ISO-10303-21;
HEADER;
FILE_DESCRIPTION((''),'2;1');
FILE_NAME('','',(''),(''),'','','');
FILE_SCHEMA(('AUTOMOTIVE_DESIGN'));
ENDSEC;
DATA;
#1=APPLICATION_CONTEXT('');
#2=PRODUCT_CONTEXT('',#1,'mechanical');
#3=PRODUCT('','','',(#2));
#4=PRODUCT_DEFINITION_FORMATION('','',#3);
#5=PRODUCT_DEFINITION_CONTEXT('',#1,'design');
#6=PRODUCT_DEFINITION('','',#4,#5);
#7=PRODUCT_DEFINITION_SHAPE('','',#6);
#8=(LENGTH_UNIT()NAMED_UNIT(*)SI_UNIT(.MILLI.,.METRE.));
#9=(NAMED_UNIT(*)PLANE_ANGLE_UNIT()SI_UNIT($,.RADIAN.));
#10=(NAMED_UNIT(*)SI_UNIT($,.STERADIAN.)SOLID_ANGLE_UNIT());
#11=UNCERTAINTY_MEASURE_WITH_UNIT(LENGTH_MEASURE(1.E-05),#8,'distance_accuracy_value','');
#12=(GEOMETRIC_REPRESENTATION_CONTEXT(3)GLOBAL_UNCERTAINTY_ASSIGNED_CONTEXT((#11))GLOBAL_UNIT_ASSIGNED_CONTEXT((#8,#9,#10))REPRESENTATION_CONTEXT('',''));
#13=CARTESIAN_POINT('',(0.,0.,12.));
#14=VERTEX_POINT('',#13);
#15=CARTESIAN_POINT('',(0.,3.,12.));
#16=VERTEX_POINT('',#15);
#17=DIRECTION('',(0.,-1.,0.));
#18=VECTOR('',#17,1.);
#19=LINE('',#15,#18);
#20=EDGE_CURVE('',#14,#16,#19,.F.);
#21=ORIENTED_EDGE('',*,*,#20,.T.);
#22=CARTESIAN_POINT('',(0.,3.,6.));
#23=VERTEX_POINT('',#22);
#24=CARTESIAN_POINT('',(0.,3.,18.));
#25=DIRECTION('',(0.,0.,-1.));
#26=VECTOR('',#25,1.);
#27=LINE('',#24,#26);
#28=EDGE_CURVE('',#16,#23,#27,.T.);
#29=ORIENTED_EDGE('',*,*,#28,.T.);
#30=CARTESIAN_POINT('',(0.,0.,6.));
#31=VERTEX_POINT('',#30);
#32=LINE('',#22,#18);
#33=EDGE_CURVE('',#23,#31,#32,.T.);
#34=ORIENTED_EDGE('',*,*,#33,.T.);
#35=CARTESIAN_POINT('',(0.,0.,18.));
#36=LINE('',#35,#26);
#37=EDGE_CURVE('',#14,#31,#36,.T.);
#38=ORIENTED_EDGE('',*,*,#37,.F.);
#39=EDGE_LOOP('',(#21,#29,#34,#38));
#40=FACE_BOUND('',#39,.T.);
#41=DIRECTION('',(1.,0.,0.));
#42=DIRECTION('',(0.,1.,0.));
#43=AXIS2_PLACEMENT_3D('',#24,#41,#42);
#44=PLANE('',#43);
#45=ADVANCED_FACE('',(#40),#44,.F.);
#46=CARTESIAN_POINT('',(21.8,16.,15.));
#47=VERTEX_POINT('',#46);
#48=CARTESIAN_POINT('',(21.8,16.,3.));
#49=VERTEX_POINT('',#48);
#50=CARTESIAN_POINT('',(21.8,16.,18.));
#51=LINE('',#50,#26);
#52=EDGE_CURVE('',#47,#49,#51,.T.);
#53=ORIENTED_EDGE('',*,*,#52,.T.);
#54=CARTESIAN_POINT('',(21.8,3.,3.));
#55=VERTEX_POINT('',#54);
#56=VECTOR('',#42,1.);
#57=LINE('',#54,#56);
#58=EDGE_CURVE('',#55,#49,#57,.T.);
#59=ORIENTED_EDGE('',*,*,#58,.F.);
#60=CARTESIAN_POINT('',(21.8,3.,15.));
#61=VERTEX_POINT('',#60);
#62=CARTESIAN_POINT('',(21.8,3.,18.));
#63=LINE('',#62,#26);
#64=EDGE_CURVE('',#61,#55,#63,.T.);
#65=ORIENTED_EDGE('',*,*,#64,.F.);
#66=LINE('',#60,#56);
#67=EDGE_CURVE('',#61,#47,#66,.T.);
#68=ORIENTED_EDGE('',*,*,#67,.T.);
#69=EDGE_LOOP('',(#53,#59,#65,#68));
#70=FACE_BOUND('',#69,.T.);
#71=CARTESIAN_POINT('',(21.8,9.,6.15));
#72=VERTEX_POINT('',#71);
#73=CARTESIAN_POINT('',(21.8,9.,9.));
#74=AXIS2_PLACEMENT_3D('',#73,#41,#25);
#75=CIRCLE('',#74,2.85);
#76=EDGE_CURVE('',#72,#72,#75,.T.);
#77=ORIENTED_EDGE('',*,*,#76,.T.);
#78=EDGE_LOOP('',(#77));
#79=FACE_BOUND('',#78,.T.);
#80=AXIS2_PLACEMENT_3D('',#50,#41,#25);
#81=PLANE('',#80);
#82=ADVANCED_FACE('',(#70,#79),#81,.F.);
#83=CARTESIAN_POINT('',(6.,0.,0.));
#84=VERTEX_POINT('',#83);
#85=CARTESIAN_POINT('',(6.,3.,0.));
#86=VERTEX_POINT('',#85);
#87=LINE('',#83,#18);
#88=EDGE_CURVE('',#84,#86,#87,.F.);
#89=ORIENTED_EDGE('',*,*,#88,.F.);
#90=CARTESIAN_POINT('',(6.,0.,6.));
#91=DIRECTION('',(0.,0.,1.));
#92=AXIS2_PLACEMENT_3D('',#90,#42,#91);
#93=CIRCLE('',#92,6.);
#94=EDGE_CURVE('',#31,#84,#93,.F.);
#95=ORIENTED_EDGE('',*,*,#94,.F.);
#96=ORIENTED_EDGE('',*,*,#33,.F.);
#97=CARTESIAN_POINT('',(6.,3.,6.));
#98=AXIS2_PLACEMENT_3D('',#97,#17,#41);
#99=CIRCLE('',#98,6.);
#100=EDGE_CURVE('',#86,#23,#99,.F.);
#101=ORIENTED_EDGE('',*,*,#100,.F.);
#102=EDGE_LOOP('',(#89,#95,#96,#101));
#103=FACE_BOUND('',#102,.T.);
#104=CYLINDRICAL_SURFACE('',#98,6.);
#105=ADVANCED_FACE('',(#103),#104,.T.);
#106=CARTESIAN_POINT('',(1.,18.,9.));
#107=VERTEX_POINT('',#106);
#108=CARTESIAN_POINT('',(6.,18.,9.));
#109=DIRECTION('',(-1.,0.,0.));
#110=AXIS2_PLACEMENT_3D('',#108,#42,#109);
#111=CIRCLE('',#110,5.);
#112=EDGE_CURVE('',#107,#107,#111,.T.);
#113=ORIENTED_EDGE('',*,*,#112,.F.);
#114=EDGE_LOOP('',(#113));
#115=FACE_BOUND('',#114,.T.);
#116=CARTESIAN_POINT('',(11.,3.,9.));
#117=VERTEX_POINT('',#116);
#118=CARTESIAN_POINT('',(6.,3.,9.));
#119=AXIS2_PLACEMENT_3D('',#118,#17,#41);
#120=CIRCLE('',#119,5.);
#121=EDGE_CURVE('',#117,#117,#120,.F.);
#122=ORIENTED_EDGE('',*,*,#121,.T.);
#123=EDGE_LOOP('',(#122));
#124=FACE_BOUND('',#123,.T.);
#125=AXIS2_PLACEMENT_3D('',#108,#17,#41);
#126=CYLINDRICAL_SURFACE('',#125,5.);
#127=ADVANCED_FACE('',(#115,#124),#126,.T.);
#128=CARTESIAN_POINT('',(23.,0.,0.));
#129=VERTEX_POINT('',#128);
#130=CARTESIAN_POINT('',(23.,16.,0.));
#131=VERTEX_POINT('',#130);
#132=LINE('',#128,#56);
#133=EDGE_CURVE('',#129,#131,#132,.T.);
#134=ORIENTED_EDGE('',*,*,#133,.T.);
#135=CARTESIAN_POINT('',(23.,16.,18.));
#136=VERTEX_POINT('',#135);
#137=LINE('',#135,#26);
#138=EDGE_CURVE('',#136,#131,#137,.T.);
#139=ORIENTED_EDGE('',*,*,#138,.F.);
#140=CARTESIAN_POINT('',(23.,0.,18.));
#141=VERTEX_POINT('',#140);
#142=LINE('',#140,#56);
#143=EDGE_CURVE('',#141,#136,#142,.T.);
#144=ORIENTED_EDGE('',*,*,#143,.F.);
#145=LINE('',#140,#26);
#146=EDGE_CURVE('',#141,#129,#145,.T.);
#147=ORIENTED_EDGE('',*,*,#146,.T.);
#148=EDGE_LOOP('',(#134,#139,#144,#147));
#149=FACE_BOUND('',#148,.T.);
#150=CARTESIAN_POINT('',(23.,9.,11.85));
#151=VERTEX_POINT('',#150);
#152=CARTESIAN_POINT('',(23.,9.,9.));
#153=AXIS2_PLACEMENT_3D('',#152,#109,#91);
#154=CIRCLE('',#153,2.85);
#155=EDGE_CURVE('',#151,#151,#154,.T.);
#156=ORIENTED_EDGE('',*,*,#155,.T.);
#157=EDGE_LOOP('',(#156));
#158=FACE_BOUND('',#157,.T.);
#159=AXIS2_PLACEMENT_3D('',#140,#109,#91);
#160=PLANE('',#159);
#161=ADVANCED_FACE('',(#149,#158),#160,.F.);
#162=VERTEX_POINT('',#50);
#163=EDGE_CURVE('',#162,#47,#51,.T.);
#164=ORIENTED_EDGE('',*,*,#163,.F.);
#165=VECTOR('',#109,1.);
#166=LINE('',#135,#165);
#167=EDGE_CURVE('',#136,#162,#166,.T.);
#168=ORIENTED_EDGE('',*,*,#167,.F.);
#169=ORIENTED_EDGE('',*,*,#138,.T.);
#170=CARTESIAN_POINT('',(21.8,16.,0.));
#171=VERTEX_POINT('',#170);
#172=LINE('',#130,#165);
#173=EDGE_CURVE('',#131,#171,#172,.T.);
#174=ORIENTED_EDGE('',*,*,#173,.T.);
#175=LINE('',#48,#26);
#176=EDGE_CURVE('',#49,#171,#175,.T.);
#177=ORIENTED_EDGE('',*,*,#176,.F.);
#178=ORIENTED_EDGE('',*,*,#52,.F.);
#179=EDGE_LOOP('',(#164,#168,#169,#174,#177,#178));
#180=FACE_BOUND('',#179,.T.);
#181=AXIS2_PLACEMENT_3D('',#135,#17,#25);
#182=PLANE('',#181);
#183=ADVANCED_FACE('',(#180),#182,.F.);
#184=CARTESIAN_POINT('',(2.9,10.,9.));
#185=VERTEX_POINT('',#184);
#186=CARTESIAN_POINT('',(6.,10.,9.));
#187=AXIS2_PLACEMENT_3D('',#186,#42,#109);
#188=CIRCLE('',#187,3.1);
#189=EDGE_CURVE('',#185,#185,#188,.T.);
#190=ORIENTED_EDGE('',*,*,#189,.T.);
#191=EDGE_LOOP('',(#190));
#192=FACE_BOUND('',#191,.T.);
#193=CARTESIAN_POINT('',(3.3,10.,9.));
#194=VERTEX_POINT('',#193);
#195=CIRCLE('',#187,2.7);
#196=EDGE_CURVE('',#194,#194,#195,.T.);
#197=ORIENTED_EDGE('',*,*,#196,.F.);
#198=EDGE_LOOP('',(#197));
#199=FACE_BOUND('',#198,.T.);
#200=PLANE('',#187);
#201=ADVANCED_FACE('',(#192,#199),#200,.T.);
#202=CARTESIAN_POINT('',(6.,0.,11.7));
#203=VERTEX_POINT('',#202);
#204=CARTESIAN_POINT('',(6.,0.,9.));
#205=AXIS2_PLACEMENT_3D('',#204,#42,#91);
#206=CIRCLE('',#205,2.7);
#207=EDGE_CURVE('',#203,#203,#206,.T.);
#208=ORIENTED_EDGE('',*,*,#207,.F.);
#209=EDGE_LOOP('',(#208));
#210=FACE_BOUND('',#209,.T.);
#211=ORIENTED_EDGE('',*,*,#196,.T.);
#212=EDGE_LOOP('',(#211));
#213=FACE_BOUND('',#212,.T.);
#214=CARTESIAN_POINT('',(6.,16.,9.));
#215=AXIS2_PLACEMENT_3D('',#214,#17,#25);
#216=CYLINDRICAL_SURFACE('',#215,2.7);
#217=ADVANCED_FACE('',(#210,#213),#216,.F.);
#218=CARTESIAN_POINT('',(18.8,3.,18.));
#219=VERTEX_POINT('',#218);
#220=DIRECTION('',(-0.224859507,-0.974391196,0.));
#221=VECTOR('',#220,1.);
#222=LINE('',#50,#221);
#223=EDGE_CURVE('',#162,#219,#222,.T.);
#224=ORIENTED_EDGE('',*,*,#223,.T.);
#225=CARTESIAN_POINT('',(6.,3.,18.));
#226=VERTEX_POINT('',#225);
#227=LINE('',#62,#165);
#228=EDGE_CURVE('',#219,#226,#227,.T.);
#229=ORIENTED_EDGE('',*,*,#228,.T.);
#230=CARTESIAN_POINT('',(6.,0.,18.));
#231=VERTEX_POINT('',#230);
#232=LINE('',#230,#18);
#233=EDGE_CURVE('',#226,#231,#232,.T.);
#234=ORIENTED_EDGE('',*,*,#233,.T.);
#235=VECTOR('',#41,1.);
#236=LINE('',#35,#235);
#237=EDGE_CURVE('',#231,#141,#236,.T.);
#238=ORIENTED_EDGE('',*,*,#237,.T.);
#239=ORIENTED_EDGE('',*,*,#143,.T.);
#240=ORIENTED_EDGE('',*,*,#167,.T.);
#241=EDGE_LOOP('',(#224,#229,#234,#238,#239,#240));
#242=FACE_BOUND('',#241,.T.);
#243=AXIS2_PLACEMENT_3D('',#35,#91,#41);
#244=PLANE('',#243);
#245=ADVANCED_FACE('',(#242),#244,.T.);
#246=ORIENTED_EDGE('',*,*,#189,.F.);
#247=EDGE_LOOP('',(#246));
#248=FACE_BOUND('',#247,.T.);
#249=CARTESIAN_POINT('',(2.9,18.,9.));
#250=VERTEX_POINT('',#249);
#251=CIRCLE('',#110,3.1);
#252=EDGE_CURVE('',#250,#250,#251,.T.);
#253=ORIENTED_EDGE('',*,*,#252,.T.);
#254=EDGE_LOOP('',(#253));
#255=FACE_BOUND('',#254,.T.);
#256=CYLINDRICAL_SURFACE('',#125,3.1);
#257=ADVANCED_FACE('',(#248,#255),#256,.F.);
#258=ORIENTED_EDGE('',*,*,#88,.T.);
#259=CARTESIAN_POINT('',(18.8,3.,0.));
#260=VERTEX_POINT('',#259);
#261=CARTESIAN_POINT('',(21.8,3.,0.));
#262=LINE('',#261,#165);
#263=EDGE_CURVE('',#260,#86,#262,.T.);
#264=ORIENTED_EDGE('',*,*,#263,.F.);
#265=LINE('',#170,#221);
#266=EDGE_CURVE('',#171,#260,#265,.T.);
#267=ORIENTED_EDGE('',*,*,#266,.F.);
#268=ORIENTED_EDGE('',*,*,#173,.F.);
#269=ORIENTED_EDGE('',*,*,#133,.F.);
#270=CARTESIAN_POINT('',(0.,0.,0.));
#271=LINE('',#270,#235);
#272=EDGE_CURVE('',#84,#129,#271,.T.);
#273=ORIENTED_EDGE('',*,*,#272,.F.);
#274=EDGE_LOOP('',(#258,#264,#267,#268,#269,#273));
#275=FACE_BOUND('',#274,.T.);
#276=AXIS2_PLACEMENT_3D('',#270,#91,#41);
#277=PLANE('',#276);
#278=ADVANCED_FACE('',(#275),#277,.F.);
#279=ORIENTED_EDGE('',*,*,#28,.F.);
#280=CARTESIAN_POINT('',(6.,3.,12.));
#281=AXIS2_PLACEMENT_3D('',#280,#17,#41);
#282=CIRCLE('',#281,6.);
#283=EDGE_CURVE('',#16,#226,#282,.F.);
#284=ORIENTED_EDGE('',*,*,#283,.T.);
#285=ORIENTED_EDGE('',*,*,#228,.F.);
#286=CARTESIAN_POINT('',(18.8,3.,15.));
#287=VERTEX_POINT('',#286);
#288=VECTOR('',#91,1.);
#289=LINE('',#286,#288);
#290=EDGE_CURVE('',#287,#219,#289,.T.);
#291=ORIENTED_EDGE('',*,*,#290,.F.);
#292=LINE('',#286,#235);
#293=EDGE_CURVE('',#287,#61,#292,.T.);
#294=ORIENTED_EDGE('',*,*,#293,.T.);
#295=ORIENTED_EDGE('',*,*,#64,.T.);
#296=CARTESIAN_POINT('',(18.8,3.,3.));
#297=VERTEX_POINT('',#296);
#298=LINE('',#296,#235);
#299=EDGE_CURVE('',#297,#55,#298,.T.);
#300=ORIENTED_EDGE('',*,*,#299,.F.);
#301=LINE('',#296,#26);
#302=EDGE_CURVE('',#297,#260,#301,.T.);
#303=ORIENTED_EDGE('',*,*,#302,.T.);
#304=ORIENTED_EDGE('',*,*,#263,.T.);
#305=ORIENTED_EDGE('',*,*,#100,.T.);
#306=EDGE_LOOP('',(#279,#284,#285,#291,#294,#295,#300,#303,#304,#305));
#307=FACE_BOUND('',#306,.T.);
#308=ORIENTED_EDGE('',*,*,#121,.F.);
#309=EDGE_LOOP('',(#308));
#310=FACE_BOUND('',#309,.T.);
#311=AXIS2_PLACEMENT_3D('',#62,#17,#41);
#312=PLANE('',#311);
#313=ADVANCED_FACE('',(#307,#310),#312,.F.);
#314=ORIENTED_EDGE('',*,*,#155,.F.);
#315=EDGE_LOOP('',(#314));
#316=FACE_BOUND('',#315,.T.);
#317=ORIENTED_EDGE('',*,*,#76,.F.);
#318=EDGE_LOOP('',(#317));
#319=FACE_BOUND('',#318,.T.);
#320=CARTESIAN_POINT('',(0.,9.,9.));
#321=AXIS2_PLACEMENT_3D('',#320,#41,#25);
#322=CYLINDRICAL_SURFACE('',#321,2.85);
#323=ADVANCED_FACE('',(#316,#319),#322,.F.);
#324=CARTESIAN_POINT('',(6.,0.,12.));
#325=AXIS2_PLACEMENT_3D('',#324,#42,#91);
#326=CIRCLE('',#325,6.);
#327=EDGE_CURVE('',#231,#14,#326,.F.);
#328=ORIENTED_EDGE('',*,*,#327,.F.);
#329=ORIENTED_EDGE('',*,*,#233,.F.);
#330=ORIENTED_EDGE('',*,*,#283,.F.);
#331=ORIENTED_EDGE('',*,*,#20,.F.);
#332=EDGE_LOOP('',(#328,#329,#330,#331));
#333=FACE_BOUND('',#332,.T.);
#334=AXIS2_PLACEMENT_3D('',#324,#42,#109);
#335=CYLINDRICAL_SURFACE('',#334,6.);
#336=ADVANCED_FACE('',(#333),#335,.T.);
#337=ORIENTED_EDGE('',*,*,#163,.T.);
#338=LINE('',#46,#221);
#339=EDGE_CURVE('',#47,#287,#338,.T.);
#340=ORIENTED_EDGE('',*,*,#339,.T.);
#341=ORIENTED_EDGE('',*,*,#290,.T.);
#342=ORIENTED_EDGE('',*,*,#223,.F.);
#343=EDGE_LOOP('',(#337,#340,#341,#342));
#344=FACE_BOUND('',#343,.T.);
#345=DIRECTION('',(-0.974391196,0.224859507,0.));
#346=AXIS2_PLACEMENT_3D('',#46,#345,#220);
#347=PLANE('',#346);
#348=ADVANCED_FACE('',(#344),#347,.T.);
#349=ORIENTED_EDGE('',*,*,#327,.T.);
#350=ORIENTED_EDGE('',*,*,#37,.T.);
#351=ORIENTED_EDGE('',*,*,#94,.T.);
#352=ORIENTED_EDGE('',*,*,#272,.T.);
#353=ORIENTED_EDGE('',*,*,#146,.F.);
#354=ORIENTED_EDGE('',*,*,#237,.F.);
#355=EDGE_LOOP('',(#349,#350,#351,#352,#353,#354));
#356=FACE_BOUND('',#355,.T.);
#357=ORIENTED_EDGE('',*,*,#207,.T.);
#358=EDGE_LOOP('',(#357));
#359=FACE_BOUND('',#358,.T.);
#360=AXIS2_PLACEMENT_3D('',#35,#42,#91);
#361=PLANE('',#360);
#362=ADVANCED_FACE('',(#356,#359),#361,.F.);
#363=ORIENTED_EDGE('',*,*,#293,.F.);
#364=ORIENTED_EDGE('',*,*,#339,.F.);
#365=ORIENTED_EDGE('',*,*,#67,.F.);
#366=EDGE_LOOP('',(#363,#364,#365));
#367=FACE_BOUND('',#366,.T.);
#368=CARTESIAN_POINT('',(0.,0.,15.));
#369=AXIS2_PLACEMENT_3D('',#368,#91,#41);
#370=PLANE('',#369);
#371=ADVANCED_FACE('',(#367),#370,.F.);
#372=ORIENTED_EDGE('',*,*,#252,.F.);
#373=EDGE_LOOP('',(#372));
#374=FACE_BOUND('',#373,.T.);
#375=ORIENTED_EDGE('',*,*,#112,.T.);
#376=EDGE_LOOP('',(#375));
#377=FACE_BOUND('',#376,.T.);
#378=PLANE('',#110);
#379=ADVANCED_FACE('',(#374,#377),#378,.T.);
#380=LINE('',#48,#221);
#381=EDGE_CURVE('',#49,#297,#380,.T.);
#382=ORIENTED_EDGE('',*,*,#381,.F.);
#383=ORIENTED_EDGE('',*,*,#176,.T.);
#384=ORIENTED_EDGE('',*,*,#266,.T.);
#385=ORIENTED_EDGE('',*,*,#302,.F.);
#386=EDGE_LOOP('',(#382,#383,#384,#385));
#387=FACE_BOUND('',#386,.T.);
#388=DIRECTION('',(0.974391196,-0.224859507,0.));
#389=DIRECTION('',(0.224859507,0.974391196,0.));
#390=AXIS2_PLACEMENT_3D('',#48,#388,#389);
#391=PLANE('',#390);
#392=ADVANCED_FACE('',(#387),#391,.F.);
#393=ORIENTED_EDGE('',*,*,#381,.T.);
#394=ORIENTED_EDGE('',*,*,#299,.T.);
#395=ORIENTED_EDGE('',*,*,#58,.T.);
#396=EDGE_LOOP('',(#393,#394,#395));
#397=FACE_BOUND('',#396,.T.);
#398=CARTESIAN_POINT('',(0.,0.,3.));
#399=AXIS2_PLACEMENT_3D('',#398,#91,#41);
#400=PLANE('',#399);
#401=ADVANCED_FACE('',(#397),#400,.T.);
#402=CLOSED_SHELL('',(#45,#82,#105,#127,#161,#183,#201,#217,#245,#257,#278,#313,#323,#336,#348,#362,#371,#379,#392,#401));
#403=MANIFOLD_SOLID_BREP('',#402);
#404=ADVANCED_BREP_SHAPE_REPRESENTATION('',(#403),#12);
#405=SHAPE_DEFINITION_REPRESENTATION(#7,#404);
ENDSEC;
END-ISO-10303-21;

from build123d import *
from build123d.topology import SkipClean

# Parameters (mm, degrees)
BOSS_EXTRU_1_DEPTH           = 18
ENL_V_MAT_EXTRU_1_DEPTH      = 34.301651611
ENL_V_MAT_EXTRU_1_DEPTH_BACK = 34.301651611
ESQUISSE2_R                  = 2.85
ENL_V_MAT_EXTRU_2_DEPTH      = 34.301651611
ENL_V_MAT_EXTRU_2_DEPTH_BACK = 34.301651611
ESQUISSE3_R                  = 2.7
BOSS_EXTRU_2_DEPTH           = 3
BOSS_EXTRU_3_START           = -18
BOSS_EXTRU_3_DEPTH           = 3
CONG_1_R                     = 6
ESQUISSE6_R                  = 5
ESQUISSE6_R_2                = 3.1
BOSS_EXTRU_4_DEPTH           = 15
ESQUISSE7_R                  = 3.1
ESQUISSE7_R_2                = 2.7
BOSS_EXTRU_5_DEPTH           = 7


with BuildPart() as part:
    # Esquisse1 → Boss.-Extru.1 (new body)
    with BuildSketch(Plane.XY):
        Polygon((0, 0), (23, 0), (23, 16), (21.8, 16), (21.8, 3), (0, 3), align=None)
    extrude(amount=BOSS_EXTRU_1_DEPTH)

    # Esquisse2 → Enlèv. mat.-Extru.1 (cut, two sides: drawn at the far end of the back side and taken through both)
    with BuildSketch(Plane(origin=(23, 0, 0), x_dir=(0, 0, -1), z_dir=(1, 0, 0)).offset(-ENL_V_MAT_EXTRU_1_DEPTH_BACK)):
        with Locations((-9, 9)):
            Circle(ESQUISSE2_R)
    extrude(amount=ENL_V_MAT_EXTRU_1_DEPTH + ENL_V_MAT_EXTRU_1_DEPTH_BACK, mode=Mode.SUBTRACT)

    # Esquisse3 → Enlèv. mat.-Extru.2 (cut, two sides: drawn at the far end of the back side and taken through both)
    with BuildSketch(Plane.XZ.offset(-ENL_V_MAT_EXTRU_2_DEPTH_BACK)):
        with Locations((6, 9)):
            Circle(ESQUISSE3_R)
    extrude(amount=ENL_V_MAT_EXTRU_2_DEPTH + ENL_V_MAT_EXTRU_2_DEPTH_BACK, mode=Mode.SUBTRACT)

    # Esquisse4 → Boss.-Extru.2 (add)
    with BuildSketch(Plane.XY.offset(18)):
        Polygon((21.8, 3), (21.8, 16), (18.8, 3), align=None)
    extrude(amount=-BOSS_EXTRU_2_DEPTH)

    # Esquisse4<2> → Boss.-Extru.3 (add)
    with BuildSketch(Plane.XY.offset(18).offset(BOSS_EXTRU_3_START)):
        Polygon((21.8, 3), (21.8, 16), (18.8, 3), align=None)
    extrude(amount=BOSS_EXTRU_3_DEPTH)

    # Congé1
    cong_1_edges = [part.edges().sort_by_distance(p)[0] for p in [
        (0, 1.5, 18),
        (0, 1.5, 0),
    ]]
    fillet(cong_1_edges, radius=CONG_1_R)

    # Esquisse6 → Boss.-Extru.4 (add)
    with BuildSketch(Plane(origin=(0, 3, 0), x_dir=(1, 0, 0), z_dir=(0, 1, 0))):
        with Locations((6, -9)):
            Circle(ESQUISSE6_R)
        with Locations(Location((6, -9, 0), (0, 0, 180))):
            Circle(ESQUISSE6_R_2, mode=Mode.SUBTRACT)
    extrude(amount=BOSS_EXTRU_4_DEPTH)

    # Esquisse7 → Boss.-Extru.5 (add)
    with SkipClean():  # the faces are left unmerged after this step: merging them gives an invalid solid
        with BuildSketch(Plane(origin=(0, 3, 0), x_dir=(1, 0, 0), z_dir=(0, 1, 0))):
            with Locations(Location((6, -9, 0), (0, 0, 180))):
                Circle(ESQUISSE7_R)
            with Locations(Location((6, -9, 0), (0, 0, 180))):
                Circle(ESQUISSE7_R_2, mode=Mode.SUBTRACT)
        extrude(amount=BOSS_EXTRU_5_DEPTH)


solid = part.part
